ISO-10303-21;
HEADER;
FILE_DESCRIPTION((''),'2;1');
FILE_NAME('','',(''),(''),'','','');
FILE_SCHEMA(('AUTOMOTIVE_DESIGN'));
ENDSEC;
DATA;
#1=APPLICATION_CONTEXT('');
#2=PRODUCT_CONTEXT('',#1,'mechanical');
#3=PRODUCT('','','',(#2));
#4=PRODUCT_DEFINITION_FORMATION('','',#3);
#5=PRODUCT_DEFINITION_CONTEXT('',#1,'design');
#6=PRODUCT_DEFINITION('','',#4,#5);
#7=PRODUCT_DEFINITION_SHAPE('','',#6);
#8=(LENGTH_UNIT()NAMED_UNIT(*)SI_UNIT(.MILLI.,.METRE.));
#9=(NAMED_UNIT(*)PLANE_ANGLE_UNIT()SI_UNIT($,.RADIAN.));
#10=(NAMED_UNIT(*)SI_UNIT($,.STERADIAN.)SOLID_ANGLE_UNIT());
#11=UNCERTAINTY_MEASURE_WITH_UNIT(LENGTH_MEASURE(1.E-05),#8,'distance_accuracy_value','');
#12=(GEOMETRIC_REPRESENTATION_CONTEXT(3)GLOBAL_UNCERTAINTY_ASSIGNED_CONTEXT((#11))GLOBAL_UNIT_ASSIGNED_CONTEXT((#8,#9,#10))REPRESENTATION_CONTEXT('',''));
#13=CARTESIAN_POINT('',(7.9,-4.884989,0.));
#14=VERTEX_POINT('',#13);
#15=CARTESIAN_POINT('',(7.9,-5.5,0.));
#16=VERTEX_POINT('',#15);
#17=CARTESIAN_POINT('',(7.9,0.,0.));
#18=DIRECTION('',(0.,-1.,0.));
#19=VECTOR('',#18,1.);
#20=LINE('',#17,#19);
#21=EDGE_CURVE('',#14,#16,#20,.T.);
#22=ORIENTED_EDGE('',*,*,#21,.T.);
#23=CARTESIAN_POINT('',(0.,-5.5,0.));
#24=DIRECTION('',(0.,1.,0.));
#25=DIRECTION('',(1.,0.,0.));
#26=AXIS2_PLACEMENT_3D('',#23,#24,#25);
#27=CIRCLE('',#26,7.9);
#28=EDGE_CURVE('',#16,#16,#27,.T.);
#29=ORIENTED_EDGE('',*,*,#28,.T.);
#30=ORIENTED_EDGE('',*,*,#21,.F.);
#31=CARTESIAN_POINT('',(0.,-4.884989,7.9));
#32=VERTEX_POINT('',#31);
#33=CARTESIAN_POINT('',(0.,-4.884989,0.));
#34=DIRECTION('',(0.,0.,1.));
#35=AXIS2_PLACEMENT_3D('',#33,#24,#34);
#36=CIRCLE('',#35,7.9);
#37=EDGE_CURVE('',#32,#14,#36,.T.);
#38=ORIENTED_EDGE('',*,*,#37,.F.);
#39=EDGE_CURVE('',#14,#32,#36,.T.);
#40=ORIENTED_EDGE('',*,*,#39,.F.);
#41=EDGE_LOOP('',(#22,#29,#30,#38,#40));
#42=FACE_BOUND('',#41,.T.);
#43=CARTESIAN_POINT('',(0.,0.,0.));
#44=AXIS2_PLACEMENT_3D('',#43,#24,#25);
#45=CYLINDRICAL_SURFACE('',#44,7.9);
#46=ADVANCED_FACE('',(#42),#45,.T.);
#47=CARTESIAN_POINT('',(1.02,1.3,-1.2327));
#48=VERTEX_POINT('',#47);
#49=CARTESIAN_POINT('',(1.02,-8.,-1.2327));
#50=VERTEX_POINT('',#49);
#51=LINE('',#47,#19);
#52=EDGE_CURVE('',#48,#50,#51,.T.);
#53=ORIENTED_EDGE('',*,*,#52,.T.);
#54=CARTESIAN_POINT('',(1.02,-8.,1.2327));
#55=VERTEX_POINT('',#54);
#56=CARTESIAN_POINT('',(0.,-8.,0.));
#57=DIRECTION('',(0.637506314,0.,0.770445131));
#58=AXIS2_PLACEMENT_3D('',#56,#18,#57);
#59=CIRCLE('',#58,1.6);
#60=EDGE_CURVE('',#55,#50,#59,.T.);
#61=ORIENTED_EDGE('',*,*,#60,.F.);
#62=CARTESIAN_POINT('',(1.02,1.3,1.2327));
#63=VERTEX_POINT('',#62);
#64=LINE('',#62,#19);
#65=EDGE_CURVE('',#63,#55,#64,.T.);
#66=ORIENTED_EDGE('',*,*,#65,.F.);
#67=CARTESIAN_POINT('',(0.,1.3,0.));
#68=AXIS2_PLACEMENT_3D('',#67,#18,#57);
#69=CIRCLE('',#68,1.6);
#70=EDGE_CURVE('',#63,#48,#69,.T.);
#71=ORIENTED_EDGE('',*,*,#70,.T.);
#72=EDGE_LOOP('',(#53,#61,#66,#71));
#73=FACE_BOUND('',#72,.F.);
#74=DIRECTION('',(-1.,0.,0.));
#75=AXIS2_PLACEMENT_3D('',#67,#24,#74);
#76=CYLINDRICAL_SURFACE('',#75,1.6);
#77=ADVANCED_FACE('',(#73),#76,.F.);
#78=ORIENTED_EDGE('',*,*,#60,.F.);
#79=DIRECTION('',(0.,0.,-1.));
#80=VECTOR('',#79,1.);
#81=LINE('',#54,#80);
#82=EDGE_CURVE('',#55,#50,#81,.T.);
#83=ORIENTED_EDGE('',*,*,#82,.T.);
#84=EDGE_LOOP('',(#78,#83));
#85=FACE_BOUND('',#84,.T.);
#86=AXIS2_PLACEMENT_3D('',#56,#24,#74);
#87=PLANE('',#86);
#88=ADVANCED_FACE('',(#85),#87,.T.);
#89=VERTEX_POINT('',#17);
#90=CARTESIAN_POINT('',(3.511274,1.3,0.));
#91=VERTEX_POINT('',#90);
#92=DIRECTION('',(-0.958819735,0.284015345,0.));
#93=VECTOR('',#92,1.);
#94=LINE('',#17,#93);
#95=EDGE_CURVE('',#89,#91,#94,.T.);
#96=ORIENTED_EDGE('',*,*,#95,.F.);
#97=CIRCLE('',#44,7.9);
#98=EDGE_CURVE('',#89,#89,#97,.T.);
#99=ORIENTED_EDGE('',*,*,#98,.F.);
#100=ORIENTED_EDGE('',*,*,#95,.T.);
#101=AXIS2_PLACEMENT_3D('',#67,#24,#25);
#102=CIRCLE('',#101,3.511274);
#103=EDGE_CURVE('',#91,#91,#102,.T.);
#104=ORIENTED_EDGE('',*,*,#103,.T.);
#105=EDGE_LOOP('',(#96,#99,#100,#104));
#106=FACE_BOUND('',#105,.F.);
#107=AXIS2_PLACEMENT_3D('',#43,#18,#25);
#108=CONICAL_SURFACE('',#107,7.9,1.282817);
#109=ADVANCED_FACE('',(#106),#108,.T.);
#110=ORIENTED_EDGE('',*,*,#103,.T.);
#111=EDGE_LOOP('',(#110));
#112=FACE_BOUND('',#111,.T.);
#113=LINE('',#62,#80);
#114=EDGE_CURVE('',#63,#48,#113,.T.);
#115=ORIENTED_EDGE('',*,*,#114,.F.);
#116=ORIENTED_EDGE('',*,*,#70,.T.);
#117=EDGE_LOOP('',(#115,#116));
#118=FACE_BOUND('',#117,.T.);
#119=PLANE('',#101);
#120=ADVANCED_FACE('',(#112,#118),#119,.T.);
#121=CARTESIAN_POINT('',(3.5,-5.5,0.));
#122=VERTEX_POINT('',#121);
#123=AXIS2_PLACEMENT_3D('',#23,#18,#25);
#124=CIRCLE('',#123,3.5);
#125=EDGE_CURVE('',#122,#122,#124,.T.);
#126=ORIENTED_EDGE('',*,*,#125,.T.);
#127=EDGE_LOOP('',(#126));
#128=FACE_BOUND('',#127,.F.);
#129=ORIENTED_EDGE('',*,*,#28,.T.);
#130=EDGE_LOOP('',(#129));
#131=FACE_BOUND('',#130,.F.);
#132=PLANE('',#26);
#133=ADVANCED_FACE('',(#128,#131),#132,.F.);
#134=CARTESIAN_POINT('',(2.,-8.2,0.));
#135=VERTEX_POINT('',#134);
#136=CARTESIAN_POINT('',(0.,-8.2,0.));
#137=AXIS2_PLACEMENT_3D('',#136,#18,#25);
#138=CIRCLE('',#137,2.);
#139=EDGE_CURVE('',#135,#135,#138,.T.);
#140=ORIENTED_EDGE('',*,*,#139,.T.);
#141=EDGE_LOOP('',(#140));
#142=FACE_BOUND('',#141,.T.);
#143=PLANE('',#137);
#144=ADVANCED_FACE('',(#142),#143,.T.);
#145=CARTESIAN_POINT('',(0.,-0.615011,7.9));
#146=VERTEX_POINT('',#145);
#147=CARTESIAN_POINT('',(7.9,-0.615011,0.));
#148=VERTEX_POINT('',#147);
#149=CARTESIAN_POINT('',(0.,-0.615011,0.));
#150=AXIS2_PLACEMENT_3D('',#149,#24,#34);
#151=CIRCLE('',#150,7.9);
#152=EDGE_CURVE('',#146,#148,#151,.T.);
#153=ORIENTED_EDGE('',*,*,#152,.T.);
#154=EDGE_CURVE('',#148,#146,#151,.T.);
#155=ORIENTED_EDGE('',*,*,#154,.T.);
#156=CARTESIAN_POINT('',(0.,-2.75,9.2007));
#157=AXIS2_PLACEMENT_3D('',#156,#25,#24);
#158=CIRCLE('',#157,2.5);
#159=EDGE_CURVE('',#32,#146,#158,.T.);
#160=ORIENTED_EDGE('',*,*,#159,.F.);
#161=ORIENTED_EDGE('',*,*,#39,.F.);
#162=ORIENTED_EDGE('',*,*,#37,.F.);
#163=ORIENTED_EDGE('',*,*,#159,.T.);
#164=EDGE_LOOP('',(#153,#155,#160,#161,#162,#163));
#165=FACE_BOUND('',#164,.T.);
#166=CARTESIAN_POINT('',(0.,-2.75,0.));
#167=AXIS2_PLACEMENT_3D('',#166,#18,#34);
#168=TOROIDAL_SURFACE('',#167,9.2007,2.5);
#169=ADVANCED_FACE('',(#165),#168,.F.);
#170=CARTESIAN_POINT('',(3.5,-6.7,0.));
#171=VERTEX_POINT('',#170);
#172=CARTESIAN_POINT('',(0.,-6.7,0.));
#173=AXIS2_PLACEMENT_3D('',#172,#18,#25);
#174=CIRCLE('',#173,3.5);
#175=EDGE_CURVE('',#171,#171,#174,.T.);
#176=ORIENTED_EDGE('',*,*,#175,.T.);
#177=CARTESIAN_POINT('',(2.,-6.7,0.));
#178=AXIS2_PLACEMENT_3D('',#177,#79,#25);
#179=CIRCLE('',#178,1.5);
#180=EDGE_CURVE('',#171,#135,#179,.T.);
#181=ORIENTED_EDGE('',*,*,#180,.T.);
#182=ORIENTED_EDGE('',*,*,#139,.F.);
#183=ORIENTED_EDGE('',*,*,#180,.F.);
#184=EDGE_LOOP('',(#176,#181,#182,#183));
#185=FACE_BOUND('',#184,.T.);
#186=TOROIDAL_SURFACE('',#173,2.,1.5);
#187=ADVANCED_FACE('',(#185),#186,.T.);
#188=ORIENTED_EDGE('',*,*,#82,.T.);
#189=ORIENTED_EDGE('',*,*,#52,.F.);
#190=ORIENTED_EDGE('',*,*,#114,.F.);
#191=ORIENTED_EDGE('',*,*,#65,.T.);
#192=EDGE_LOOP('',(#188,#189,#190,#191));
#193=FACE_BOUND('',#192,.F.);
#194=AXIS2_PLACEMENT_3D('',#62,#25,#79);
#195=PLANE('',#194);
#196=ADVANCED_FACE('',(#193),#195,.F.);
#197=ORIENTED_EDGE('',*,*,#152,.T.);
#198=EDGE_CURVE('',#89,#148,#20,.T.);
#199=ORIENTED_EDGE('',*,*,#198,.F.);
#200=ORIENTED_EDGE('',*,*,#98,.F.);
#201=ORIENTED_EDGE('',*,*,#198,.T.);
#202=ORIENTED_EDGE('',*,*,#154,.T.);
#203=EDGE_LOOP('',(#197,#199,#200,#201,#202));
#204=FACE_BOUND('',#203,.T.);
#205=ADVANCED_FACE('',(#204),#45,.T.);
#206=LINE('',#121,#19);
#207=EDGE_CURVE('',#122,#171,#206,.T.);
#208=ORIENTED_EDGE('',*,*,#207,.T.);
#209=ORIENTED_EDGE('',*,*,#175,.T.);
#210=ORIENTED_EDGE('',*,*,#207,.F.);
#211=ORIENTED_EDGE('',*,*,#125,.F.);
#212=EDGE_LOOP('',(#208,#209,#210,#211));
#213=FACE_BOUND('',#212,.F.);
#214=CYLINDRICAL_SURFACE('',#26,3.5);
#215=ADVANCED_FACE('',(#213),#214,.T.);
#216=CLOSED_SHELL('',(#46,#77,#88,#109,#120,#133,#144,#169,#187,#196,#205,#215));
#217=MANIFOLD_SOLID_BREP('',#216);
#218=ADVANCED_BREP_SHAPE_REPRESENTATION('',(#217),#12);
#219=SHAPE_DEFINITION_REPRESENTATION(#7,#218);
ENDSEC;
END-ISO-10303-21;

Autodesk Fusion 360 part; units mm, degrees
sketch "Sketch1" plane through (0, 0, 0) normal (0, 1, 0) x (1, 0, 0)
  circle A0 centre (0, 0) radius 7.9
  dimension "d1" = 15.8
extrude "Extrude1" add sketch "Sketch1" against normal blind 5.5
sketch "Sketch2" plane through (0, -5.5, 0) normal (0, -1, 0) x (1, 0, 0)
  circle A0 centre (0, 0) radius 7.9
  circle A1 centre (0, 0) radius 3.5
  dimension "d4" = 7
extrude "Extrude2" add sketch "Sketch2" along normal blind 2.7 contours A1
fillet "Fillet1" radius 1.5 1 edges at (-3.2631, -8.2, -1.2657)
extrude "Extrude3" add 1 faces at (3.1441, 0, -2.759) along direction (0, 1, 0) blind 1.3 draft -73.5
sketch "Sketch3" plane through (0, 1.3, 0) normal (0, 1, 0) x (-1, 0, 0)
  circle A0 centre (0, 0) radius 3.5113
  circle A1 centre (0, 0) radius 1.6
  line L0 (-1.02, 1.2327) -> (-1.02, -1.2327)
  dimension "d11" = 3.2
  dimension "d12" = 1.02
extrude "Extrude4" cut sketch "Sketch3" against normal blind 9.3 contours A1 L0 picked at (-0.3273, 0.4001)
sketch "Sketch4" plane through (0, 0, 0) normal (1, 0, 0) x (0, 1, 0)
  line L0 (1.3, 0) -> (1.3, -3.5113)
  line L1 (1.3, 3.5113) -> (1.3, 0)
  line L2 (-8.2, 0) -> (-8.2, 2)
  line L3 (-8.2, -2) -> (-8.2, 0)
  line L4 (-5.5, -3.5) -> (-5.5, -7.9)
  line L5 (-5.5, 7.9) -> (-5.5, 3.5)
  line L6 (1.3, 3.5113) -> (0, 7.9)
  line L7 (1.3, -3.5113) -> (0, -7.9)
  arc A0 (-8.2, -2) -> (-6.7, -3.5) centre (-6.7, -2) ccw
  arc A1 (-6.7, 3.5) -> (-8.2, 2) centre (-6.7, 2) ccw
  line L8 (-5.5, 3.5) -> (-6.7, 3.5)
  line L9 (-5.5, -3.5) -> (-6.7, -3.5)
  line L10 (0, 7.9) -> (-5.5, 7.9)
  line L11 (0, -7.9) -> (-5.5, -7.9)
  line L12 (-5.5, 7.9) -> (-5.5, -7.9)
  line L13 (0, -7.9) -> (0, 7.9)
  circle A2 centre (-2.75, 9.2007) radius 2.5
  point P0 (-4.885, 7.9)
  point P1 (-0.615, 7.9)
  dimension "d15" = 0.615
  dimension "d16" = 0.615
  dimension "d17" = 5
revolve "Revolve1" cut sketch "Sketch4" angle 360 about axis through (0, 1.75, 0) along (0, 1, 0) contours L10 A2 picked at (-2.75, 7.5002)
